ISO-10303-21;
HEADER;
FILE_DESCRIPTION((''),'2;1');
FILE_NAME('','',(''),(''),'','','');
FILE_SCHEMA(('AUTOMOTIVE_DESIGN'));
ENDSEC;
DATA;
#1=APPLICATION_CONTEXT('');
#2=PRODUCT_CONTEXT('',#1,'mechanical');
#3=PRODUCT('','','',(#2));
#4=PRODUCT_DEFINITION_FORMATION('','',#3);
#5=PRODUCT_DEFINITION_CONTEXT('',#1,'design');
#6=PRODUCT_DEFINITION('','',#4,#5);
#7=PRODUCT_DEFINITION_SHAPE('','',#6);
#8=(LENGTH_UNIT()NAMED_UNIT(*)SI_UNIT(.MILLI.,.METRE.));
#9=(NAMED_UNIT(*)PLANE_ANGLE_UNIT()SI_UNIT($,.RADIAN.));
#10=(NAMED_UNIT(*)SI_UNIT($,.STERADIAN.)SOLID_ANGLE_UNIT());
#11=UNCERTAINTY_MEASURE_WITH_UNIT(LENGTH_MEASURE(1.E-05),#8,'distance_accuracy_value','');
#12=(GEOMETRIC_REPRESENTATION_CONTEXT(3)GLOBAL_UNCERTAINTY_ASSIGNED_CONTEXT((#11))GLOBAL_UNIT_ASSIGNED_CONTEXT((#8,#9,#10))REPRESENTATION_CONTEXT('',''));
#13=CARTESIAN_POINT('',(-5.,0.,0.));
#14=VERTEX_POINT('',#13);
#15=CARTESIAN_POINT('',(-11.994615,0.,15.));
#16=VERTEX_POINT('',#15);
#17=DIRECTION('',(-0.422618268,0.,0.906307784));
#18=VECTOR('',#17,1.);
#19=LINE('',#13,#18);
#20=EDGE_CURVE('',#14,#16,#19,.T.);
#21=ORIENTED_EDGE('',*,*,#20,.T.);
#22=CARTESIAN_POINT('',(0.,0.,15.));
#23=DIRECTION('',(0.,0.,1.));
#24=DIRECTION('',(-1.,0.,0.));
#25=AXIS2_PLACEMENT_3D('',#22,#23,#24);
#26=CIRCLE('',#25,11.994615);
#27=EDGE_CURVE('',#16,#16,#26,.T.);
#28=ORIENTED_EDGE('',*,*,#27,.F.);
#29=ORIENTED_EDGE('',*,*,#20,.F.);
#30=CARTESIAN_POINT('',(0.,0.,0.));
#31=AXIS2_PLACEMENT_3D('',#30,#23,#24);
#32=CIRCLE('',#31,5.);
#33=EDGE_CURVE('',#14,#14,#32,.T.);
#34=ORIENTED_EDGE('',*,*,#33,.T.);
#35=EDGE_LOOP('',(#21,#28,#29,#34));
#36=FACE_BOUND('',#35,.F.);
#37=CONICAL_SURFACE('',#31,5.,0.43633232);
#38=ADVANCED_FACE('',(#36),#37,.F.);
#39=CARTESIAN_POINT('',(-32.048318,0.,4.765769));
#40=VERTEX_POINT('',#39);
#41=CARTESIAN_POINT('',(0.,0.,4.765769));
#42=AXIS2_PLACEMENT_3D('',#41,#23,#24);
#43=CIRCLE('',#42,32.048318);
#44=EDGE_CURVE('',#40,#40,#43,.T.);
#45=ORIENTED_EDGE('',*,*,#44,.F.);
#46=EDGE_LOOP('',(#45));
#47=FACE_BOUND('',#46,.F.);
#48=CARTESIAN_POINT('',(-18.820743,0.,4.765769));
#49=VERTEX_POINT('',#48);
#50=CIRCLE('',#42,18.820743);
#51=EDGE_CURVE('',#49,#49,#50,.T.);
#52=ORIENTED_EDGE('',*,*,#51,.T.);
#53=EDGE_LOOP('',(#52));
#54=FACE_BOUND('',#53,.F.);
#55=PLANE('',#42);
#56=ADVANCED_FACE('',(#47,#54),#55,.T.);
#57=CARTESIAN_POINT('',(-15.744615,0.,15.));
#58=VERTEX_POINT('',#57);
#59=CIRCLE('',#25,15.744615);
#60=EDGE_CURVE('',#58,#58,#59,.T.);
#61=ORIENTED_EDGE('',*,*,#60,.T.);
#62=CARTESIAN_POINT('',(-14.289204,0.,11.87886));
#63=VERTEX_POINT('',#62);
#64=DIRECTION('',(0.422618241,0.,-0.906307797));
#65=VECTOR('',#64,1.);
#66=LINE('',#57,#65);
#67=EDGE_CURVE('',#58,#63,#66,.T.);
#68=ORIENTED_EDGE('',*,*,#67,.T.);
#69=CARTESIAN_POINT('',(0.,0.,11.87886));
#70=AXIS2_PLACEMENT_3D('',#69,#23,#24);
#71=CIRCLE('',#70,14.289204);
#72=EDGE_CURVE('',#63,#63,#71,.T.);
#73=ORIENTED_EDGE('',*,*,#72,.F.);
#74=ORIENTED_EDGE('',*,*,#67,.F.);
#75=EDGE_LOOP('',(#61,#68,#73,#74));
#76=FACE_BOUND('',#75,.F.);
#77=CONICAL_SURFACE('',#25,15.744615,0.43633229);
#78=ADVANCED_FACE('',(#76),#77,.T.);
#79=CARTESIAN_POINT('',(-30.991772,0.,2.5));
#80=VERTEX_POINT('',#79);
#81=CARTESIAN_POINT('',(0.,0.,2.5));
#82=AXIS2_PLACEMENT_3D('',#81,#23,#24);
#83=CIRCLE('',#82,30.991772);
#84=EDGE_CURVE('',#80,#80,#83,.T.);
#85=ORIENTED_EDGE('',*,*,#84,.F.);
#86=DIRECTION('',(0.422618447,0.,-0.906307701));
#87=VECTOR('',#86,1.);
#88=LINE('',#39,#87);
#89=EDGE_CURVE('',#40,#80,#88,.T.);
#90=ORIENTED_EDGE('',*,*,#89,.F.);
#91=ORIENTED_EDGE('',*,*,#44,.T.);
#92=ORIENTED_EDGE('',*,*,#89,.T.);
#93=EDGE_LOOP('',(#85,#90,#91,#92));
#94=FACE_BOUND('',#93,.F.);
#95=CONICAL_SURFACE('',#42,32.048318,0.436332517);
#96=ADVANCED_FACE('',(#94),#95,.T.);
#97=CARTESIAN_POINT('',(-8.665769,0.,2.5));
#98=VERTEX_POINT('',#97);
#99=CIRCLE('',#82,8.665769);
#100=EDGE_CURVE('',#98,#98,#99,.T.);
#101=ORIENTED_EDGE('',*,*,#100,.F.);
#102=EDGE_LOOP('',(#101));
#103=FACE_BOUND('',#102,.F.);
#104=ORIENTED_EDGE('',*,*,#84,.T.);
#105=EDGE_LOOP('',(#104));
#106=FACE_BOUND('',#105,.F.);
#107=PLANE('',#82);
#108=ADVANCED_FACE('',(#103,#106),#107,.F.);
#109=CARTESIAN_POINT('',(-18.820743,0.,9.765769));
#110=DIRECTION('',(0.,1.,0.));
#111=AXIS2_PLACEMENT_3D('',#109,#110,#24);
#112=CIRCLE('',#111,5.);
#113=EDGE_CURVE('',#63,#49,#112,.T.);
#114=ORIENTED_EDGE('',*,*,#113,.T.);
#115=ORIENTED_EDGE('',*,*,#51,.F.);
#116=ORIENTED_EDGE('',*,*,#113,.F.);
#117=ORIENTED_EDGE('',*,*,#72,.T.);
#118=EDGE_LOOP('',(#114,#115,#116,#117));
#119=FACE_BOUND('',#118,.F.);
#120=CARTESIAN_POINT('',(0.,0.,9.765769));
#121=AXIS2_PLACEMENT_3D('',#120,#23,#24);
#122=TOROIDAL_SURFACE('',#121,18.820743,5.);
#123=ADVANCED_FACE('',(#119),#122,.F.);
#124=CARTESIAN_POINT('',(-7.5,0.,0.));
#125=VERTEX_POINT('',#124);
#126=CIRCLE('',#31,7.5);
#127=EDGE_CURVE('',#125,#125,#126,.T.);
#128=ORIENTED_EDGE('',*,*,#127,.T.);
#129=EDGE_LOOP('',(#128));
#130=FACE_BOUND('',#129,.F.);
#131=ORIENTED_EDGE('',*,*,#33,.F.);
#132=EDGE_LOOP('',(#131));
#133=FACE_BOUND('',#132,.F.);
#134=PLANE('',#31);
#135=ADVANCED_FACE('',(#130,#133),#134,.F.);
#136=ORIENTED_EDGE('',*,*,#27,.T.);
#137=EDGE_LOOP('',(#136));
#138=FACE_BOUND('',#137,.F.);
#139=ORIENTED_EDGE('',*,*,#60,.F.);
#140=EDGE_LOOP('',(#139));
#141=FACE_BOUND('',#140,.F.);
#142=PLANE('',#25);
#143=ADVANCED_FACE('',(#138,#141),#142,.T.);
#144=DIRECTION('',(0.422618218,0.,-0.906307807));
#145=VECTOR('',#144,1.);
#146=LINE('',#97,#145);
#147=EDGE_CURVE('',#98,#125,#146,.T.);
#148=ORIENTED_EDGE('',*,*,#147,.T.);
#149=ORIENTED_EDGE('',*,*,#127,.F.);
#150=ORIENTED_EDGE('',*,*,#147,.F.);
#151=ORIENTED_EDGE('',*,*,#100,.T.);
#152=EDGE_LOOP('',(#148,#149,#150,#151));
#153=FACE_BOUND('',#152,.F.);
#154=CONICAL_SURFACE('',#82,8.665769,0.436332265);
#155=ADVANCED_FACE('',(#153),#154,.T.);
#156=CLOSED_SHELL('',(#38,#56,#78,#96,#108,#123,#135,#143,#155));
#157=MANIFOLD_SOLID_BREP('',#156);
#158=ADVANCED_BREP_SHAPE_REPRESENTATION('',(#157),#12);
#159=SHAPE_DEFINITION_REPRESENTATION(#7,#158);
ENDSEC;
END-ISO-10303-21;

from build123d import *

# Parameters (mm, degrees)
F3_R = 5


with BuildPart() as f2:
    # F0 (on Front) → F2 (revolve)
    with BuildSketch(Plane.XZ):
        Polygon((-7.5, 0), (-5, 0), (-11.994615, 15), (-15.744615, 15), (-10.972315, 4.765769), (-32.048318, 4.765769), (-30.991772, 2.5), (-8.665769, 2.5), align=None)
    revolve(axis=Axis((0, 0, 12.728581), (0, 0, 1)))

    # F3
    f3_edges = [f2.edges().sort_by_distance(p)[0] for p in [
        (10.972315, 0, 4.765769),
    ]]
    fillet(f3_edges, radius=F3_R)


solid = f2.part
